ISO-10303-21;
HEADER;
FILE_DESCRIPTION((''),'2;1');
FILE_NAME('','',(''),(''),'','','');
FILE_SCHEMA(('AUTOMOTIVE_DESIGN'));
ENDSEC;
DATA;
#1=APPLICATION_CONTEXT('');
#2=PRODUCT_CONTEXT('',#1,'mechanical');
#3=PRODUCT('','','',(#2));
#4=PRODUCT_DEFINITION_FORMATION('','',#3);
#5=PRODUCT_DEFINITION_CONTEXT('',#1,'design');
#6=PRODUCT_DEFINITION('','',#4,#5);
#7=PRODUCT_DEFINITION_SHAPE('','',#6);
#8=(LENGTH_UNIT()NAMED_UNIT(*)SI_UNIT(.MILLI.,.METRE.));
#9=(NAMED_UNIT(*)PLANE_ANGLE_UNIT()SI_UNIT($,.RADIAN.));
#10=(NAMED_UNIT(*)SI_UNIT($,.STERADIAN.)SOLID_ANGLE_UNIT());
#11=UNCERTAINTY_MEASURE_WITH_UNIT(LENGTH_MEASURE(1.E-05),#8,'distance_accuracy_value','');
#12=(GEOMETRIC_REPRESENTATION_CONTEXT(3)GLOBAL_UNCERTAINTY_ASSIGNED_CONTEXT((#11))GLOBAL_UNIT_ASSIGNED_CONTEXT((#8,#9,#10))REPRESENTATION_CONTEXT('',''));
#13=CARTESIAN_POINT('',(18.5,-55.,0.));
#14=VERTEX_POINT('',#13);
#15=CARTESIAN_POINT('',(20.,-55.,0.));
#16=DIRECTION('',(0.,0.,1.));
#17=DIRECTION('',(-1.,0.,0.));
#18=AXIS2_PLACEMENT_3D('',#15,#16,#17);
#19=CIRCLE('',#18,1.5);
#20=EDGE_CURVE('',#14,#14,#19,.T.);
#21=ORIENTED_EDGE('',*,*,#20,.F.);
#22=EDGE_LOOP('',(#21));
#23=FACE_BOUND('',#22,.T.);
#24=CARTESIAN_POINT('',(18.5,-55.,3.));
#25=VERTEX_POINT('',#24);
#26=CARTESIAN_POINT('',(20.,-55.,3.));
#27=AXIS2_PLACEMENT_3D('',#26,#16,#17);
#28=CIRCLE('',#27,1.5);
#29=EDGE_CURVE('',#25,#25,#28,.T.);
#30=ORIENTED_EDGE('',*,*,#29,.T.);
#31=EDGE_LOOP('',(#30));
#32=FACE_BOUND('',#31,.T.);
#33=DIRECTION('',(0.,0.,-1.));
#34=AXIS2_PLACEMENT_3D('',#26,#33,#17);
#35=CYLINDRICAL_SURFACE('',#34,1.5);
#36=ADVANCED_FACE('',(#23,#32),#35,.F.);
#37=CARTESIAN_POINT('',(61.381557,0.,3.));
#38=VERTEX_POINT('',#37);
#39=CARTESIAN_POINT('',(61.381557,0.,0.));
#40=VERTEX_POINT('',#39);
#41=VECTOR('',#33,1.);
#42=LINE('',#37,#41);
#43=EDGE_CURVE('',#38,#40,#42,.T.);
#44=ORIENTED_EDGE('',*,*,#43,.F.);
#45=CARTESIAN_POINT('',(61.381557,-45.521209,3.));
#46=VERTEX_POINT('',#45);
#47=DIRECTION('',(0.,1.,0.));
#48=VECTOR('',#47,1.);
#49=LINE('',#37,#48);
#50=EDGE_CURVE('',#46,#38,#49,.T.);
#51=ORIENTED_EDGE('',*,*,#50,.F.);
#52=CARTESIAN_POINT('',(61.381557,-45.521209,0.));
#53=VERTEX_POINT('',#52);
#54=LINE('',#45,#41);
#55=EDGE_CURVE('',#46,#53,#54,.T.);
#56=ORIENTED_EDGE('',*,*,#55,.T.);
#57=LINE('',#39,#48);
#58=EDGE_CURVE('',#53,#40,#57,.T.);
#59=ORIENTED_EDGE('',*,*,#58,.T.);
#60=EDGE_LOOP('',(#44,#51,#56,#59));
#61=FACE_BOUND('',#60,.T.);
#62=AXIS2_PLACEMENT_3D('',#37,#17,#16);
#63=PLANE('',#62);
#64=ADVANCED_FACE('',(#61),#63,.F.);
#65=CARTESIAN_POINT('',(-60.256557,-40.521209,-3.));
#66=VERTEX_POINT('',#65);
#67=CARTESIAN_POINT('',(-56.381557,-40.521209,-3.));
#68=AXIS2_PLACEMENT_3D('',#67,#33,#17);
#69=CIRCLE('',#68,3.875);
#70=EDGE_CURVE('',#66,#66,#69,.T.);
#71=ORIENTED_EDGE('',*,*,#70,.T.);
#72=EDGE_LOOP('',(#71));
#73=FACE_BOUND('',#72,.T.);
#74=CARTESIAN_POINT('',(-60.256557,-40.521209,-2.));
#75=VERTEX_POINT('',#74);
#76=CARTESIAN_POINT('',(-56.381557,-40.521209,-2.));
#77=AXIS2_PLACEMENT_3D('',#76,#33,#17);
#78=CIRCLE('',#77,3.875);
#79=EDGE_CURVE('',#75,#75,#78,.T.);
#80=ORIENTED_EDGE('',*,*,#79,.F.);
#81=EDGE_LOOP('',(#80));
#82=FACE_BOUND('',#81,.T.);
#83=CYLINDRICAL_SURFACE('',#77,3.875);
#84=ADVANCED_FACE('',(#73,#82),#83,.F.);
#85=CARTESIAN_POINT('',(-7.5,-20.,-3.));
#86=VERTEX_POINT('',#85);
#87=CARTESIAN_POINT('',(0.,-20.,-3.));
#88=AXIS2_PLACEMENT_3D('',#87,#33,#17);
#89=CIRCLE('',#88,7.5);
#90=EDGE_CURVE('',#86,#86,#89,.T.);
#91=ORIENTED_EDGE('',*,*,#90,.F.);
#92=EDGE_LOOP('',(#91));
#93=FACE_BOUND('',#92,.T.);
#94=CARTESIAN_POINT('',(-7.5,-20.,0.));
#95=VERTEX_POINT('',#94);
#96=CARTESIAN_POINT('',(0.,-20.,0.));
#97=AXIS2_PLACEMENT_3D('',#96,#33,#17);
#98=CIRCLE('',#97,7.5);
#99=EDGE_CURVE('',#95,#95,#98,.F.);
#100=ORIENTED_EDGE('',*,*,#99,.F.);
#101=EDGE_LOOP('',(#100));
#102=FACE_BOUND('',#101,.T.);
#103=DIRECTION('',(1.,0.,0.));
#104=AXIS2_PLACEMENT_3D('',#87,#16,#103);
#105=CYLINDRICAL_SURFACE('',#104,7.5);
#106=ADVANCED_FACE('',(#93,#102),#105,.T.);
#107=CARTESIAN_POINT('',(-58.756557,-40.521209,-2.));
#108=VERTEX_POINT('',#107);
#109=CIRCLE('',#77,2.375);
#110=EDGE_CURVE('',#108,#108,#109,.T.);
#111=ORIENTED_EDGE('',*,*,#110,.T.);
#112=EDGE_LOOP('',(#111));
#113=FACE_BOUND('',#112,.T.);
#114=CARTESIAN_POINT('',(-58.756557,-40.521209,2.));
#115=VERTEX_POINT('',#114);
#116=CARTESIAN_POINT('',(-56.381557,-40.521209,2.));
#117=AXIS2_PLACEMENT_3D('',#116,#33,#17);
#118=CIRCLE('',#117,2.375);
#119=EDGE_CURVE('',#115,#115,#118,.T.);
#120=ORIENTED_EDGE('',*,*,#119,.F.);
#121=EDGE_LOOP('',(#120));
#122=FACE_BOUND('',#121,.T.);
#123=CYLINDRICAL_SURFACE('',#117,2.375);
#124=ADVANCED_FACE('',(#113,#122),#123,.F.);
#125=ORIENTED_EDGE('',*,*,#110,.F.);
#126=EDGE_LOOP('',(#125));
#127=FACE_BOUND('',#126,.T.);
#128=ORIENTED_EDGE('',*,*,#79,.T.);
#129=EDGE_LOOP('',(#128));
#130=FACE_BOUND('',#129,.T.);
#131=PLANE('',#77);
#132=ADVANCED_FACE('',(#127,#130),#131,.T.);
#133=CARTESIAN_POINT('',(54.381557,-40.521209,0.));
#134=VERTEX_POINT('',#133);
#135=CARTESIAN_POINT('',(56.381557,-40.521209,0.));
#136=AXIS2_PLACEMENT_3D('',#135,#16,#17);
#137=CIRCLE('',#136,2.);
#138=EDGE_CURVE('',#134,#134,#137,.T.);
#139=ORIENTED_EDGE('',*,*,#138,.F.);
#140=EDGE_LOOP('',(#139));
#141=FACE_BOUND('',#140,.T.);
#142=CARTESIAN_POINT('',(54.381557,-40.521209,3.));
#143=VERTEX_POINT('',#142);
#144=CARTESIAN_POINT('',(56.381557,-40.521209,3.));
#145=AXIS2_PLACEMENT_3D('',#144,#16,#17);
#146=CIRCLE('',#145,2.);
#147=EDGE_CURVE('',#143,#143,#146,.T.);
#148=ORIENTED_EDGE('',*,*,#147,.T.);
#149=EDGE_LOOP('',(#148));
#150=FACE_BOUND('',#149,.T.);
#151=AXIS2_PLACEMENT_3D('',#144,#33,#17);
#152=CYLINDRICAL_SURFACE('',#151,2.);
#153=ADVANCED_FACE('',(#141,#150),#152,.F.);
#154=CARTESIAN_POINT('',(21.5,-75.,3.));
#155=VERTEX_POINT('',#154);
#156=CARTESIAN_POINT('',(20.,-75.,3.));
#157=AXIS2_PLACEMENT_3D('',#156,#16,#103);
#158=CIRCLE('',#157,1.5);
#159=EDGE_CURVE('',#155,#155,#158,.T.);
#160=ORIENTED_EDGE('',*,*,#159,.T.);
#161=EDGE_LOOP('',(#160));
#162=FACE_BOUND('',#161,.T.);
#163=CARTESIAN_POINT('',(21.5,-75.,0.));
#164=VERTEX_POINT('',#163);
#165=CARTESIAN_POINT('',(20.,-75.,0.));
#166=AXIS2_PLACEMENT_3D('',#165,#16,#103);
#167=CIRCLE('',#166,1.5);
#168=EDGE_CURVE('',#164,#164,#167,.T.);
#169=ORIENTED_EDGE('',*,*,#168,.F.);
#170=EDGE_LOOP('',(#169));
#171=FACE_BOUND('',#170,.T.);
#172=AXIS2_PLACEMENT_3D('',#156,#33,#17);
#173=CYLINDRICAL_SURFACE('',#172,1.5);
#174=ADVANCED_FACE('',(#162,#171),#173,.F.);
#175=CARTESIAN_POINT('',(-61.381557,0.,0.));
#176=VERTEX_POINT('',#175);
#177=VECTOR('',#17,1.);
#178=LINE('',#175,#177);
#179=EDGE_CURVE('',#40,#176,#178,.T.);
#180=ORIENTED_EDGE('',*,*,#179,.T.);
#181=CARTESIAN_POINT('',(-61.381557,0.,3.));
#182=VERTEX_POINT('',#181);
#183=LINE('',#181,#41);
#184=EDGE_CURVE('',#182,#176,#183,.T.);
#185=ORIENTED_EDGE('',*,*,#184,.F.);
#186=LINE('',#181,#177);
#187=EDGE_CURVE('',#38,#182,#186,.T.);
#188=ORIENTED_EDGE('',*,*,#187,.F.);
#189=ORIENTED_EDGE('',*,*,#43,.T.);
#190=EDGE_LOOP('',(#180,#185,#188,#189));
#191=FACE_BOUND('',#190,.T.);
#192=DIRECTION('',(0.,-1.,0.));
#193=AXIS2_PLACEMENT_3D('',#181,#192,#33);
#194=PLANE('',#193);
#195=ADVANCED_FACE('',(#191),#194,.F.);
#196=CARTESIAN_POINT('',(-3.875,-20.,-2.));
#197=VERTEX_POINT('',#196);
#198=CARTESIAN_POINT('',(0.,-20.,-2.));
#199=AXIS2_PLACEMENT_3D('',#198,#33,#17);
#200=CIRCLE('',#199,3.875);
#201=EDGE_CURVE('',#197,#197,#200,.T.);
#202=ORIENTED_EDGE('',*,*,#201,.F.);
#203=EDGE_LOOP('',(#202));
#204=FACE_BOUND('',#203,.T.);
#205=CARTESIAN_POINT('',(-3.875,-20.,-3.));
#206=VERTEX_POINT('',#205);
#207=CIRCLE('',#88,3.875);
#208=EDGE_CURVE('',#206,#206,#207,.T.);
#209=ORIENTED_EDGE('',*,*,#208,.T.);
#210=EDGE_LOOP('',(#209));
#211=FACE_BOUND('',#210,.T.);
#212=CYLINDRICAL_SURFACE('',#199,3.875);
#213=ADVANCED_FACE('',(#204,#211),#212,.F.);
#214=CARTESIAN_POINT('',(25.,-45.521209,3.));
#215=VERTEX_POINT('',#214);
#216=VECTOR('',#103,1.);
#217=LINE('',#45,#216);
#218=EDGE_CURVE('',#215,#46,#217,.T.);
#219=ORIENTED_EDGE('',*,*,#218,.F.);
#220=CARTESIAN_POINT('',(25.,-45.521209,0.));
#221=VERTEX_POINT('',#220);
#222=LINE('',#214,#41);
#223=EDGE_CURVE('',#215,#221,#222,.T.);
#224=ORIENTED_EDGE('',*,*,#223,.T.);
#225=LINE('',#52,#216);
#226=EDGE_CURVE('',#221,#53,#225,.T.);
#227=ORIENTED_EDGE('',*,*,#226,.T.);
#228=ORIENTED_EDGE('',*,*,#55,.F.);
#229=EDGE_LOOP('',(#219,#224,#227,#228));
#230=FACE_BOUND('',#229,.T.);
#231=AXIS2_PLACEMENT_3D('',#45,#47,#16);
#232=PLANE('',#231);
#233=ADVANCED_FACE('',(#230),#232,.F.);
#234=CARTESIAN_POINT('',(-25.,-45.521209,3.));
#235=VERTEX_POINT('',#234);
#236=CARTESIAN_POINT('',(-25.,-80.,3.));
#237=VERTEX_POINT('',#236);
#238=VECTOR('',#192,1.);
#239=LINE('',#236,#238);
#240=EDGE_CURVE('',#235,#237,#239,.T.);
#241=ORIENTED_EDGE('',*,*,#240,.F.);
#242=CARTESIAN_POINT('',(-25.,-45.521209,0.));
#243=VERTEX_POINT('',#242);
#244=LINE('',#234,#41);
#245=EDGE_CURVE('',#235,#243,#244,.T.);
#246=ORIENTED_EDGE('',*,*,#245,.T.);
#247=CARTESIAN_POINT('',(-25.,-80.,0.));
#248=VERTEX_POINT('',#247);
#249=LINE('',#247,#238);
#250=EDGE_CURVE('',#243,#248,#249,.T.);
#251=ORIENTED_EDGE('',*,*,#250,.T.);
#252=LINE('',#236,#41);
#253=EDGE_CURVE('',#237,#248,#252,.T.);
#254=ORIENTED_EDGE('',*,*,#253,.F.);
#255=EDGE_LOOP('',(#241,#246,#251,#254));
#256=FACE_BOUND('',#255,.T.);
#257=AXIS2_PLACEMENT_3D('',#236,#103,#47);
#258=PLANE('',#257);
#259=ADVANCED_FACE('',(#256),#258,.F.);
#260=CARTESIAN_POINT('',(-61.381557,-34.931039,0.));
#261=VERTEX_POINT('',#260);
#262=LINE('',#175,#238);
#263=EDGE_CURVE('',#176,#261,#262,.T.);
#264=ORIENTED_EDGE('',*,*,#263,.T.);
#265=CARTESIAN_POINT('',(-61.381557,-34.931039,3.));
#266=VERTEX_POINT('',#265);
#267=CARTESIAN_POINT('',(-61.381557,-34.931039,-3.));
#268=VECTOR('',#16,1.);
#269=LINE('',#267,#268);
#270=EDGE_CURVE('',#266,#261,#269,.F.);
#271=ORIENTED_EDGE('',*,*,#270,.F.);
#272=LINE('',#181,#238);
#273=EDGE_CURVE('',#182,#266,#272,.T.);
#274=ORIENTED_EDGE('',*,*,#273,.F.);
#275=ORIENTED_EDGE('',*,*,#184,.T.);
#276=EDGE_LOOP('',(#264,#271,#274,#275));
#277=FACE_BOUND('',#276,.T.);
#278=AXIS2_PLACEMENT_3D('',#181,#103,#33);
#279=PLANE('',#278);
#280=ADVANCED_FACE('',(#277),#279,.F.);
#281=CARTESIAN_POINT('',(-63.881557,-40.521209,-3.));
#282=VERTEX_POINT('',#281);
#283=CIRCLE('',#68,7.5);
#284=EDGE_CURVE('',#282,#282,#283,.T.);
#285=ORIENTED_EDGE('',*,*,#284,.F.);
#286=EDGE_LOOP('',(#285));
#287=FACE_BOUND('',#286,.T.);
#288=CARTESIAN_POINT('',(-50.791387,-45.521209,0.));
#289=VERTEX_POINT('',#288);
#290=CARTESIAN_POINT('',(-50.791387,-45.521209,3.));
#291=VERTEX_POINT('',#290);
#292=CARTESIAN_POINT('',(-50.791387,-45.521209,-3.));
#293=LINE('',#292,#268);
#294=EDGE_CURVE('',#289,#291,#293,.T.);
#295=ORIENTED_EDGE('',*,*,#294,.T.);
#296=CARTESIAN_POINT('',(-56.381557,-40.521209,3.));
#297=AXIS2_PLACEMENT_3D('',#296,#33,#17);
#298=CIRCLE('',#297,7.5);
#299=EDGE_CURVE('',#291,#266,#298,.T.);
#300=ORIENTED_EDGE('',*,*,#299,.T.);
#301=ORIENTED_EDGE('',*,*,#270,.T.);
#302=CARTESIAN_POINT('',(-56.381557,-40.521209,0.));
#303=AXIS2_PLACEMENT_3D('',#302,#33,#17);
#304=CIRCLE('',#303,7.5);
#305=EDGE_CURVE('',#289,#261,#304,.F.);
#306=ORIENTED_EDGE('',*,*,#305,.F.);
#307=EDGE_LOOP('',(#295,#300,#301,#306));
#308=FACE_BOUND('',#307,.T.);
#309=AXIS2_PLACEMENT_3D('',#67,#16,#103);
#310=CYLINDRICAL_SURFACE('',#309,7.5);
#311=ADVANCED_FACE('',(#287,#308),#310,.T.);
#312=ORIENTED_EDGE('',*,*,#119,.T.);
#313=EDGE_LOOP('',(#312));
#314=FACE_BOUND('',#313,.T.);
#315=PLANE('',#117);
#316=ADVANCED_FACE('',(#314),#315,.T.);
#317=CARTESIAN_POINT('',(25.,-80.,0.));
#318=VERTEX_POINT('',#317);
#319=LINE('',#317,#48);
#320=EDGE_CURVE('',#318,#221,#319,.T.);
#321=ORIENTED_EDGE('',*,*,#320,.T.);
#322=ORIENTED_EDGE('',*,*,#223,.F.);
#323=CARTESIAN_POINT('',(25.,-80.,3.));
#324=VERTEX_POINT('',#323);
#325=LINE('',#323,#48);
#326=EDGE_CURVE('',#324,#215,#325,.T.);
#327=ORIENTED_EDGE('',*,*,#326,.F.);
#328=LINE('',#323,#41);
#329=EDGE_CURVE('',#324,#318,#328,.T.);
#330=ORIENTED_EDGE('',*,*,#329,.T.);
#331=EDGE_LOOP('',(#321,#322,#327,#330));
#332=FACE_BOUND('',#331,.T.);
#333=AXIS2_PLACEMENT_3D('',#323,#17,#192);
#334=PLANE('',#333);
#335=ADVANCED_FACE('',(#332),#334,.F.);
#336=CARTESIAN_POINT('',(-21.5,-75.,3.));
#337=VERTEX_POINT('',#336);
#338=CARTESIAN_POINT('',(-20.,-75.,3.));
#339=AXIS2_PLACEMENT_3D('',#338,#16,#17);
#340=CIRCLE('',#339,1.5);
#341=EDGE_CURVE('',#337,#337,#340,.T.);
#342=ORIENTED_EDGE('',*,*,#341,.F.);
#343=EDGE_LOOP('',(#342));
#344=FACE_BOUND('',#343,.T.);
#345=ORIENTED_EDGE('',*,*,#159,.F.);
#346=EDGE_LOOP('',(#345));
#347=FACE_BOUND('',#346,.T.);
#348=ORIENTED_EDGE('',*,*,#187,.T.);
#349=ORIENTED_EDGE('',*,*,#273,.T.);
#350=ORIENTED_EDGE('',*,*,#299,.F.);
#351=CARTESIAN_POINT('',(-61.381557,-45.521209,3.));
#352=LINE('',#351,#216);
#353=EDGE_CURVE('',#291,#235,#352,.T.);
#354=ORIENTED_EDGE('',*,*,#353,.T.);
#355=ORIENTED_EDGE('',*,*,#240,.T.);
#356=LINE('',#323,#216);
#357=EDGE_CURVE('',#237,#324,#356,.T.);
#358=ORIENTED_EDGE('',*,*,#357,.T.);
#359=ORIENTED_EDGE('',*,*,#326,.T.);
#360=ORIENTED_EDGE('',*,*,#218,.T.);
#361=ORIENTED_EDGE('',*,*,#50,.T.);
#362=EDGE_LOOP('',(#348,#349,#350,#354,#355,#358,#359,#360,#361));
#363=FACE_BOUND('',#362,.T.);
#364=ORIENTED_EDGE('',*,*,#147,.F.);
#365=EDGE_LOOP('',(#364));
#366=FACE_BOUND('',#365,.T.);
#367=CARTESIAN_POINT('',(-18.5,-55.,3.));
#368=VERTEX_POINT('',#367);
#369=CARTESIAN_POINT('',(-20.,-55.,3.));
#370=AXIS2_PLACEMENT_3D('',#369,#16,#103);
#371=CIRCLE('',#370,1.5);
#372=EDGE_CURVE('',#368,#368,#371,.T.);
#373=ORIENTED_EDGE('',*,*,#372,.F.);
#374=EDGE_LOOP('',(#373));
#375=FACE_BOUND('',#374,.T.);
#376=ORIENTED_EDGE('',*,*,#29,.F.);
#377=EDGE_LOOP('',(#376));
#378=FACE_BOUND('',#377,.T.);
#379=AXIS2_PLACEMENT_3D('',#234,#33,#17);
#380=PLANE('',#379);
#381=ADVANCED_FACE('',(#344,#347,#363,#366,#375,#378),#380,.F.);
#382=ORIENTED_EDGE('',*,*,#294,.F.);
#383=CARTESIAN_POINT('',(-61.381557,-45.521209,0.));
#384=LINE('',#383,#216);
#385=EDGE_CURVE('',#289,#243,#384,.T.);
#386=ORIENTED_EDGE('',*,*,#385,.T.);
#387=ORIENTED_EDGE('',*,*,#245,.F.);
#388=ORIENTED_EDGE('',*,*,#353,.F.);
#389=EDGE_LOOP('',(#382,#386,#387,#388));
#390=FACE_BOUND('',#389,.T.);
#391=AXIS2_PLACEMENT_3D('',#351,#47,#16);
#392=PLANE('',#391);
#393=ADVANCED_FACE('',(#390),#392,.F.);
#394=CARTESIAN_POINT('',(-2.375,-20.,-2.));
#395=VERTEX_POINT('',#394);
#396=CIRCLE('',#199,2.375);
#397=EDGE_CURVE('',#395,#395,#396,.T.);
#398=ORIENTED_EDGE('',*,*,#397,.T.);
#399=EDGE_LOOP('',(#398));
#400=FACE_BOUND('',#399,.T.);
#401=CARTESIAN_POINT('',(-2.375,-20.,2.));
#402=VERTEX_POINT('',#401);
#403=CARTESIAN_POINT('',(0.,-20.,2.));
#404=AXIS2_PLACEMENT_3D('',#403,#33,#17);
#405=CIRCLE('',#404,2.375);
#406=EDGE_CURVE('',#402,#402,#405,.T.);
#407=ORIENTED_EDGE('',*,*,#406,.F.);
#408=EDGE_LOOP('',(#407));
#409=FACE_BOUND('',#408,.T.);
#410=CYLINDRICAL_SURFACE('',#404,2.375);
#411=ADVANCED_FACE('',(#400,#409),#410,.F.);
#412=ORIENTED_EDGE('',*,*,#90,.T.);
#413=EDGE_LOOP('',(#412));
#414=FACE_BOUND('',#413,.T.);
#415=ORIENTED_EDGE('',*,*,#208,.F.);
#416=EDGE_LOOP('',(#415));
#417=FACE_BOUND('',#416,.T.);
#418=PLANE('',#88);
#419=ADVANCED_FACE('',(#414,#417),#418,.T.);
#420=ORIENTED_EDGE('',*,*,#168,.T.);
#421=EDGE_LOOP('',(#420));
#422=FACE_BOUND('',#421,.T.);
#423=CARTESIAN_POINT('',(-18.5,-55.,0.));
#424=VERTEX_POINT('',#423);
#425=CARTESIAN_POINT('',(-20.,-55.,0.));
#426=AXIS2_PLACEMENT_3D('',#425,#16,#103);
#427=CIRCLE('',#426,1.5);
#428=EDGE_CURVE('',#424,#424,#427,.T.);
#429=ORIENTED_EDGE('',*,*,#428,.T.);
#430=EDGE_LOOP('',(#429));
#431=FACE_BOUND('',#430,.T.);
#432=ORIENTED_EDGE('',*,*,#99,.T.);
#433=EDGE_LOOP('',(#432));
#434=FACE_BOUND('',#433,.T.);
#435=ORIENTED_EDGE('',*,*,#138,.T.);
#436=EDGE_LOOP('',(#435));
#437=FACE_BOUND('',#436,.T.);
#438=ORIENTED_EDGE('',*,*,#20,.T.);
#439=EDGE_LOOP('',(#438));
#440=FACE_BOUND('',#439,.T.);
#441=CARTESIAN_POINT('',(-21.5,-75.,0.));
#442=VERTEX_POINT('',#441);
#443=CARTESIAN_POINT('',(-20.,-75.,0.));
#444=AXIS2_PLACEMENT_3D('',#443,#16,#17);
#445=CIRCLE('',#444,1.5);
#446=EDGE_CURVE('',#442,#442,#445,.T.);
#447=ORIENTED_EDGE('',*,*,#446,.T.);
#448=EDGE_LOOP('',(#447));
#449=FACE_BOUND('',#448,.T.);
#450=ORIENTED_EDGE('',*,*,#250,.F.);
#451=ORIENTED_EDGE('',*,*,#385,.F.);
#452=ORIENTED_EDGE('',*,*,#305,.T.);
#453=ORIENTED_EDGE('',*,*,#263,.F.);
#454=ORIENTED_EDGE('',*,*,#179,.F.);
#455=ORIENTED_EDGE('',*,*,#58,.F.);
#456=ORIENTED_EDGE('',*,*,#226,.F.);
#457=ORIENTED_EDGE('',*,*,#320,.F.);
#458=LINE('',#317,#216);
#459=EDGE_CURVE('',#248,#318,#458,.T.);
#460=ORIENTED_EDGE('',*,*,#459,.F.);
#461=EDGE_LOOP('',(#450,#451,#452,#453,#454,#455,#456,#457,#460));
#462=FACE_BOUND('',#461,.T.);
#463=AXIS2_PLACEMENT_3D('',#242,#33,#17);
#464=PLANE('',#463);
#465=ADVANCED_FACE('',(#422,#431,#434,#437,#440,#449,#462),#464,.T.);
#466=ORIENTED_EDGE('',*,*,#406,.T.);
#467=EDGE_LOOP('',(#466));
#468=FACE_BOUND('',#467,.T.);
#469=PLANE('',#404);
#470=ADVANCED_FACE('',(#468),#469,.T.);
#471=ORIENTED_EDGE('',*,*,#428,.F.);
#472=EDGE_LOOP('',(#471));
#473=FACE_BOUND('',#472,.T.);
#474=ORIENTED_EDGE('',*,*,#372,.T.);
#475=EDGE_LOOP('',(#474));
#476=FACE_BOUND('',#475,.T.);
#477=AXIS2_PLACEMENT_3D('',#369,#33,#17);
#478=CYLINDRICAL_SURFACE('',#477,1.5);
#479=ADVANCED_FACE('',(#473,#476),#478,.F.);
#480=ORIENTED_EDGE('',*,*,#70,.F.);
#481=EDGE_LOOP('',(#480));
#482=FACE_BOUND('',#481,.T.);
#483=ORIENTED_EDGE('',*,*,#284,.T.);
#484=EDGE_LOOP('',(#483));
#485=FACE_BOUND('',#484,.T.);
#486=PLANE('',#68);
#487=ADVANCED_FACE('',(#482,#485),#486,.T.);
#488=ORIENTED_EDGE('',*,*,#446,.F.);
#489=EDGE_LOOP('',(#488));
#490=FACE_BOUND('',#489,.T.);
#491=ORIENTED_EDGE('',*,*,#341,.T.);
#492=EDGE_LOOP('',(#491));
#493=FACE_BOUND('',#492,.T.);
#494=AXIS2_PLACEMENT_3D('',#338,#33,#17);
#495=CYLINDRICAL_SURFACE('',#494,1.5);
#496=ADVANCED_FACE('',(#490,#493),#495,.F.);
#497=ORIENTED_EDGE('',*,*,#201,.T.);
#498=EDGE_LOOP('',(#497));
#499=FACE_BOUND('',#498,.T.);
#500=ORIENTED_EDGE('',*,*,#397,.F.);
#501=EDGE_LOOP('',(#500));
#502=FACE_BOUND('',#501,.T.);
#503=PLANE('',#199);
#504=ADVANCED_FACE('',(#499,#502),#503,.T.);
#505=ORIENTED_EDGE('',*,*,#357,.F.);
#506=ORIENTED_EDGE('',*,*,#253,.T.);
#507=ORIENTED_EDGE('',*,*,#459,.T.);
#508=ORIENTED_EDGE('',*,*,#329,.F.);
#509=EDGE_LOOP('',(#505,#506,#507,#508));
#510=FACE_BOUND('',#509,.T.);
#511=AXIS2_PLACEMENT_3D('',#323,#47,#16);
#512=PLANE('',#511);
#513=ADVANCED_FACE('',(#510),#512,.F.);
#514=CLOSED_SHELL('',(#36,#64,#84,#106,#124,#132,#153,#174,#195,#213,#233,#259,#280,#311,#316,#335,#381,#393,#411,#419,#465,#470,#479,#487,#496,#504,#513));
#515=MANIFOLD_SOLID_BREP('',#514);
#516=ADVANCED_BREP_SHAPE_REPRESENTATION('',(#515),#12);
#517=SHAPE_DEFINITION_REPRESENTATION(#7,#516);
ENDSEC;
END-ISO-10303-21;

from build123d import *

# Parameters (mm, degrees)
ESQUISSE1_R             = 2
ESQUISSE1_R_2           = 1.5
BOSS_EXTRU_1_DEPTH      = 3
BOSS_EXTRU_2_START      = -3
ESQUISSE3_R             = 7.5
BOSS_EXTRU_2_DEPTH      = 6
ESQUISSE4_R             = 3.875
ENL_V_MAT_EXTRU_1_DEPTH = 1
ESQUISSE5_R             = 2.375
ENL_V_MAT_EXTRU_2_DEPTH = 4


with BuildPart() as part:
    # Esquisse1 → Boss.-Extru.1 (new body)
    with BuildSketch(Plane.XY):
        Polygon((-61.381557247, 0), (61.381557247, 0), (61.381557247, -45.5212086), (25, -45.5212086), (25, -80), (-25, -80), (-25, -45.5212086), (-61.381557247, -45.5212086), align=None)
        with Locations((0, -20)):
            Circle(ESQUISSE1_R, mode=Mode.SUBTRACT)
        with Locations((-20, -55)):
            Circle(ESQUISSE1_R_2, mode=Mode.SUBTRACT)
        with Locations((20, -55)):
            Circle(ESQUISSE1_R_2, mode=Mode.SUBTRACT)
        with Locations((20, -75)):
            Circle(ESQUISSE1_R_2, mode=Mode.SUBTRACT)
        with Locations((-20, -75)):
            Circle(ESQUISSE1_R_2, mode=Mode.SUBTRACT)
        with Locations((56.381557247, -40.5212086)):
            Circle(ESQUISSE1_R, mode=Mode.SUBTRACT)
        with Locations((-56.381557247, -40.5212086)):
            Circle(ESQUISSE1_R, mode=Mode.SUBTRACT)
    extrude(amount=BOSS_EXTRU_1_DEPTH)

    # Esquisse3 → Boss.-Extru.2 (add)
    with BuildSketch(Plane(origin=(0, 0, 0), x_dir=(-1, 0, 0), z_dir=(0, 0, -1)).offset(BOSS_EXTRU_2_START)):
        with Locations((56.381557247, -40.5212086)):
            Circle(ESQUISSE3_R)
        with Locations((0, -20)):
            Circle(ESQUISSE3_R)
    extrude(amount=BOSS_EXTRU_2_DEPTH)

    # Esquisse4 → Enlèv. mat.-Extru.1 (cut)
    with BuildSketch(Plane(origin=(0, 0, -3), x_dir=(-1, 0, 0), z_dir=(0, 0, -1))):
        with Locations((56.381557247, -40.5212086)):
            Circle(ESQUISSE4_R)
        with Locations((0, -20)):
            Circle(ESQUISSE4_R)
    extrude(amount=-ENL_V_MAT_EXTRU_1_DEPTH, mode=Mode.SUBTRACT)

    # Esquisse5 → Enlèv. mat.-Extru.2 (cut)
    with BuildSketch(Plane(origin=(0, 0, -2), x_dir=(-1, 0, 0), z_dir=(0, 0, -1))):
        with Locations((56.381557247, -40.5212086)):
            Circle(ESQUISSE5_R)
        with Locations((0, -20)):
            Circle(ESQUISSE5_R)
    extrude(amount=-ENL_V_MAT_EXTRU_2_DEPTH, mode=Mode.SUBTRACT)


solid = part.part
